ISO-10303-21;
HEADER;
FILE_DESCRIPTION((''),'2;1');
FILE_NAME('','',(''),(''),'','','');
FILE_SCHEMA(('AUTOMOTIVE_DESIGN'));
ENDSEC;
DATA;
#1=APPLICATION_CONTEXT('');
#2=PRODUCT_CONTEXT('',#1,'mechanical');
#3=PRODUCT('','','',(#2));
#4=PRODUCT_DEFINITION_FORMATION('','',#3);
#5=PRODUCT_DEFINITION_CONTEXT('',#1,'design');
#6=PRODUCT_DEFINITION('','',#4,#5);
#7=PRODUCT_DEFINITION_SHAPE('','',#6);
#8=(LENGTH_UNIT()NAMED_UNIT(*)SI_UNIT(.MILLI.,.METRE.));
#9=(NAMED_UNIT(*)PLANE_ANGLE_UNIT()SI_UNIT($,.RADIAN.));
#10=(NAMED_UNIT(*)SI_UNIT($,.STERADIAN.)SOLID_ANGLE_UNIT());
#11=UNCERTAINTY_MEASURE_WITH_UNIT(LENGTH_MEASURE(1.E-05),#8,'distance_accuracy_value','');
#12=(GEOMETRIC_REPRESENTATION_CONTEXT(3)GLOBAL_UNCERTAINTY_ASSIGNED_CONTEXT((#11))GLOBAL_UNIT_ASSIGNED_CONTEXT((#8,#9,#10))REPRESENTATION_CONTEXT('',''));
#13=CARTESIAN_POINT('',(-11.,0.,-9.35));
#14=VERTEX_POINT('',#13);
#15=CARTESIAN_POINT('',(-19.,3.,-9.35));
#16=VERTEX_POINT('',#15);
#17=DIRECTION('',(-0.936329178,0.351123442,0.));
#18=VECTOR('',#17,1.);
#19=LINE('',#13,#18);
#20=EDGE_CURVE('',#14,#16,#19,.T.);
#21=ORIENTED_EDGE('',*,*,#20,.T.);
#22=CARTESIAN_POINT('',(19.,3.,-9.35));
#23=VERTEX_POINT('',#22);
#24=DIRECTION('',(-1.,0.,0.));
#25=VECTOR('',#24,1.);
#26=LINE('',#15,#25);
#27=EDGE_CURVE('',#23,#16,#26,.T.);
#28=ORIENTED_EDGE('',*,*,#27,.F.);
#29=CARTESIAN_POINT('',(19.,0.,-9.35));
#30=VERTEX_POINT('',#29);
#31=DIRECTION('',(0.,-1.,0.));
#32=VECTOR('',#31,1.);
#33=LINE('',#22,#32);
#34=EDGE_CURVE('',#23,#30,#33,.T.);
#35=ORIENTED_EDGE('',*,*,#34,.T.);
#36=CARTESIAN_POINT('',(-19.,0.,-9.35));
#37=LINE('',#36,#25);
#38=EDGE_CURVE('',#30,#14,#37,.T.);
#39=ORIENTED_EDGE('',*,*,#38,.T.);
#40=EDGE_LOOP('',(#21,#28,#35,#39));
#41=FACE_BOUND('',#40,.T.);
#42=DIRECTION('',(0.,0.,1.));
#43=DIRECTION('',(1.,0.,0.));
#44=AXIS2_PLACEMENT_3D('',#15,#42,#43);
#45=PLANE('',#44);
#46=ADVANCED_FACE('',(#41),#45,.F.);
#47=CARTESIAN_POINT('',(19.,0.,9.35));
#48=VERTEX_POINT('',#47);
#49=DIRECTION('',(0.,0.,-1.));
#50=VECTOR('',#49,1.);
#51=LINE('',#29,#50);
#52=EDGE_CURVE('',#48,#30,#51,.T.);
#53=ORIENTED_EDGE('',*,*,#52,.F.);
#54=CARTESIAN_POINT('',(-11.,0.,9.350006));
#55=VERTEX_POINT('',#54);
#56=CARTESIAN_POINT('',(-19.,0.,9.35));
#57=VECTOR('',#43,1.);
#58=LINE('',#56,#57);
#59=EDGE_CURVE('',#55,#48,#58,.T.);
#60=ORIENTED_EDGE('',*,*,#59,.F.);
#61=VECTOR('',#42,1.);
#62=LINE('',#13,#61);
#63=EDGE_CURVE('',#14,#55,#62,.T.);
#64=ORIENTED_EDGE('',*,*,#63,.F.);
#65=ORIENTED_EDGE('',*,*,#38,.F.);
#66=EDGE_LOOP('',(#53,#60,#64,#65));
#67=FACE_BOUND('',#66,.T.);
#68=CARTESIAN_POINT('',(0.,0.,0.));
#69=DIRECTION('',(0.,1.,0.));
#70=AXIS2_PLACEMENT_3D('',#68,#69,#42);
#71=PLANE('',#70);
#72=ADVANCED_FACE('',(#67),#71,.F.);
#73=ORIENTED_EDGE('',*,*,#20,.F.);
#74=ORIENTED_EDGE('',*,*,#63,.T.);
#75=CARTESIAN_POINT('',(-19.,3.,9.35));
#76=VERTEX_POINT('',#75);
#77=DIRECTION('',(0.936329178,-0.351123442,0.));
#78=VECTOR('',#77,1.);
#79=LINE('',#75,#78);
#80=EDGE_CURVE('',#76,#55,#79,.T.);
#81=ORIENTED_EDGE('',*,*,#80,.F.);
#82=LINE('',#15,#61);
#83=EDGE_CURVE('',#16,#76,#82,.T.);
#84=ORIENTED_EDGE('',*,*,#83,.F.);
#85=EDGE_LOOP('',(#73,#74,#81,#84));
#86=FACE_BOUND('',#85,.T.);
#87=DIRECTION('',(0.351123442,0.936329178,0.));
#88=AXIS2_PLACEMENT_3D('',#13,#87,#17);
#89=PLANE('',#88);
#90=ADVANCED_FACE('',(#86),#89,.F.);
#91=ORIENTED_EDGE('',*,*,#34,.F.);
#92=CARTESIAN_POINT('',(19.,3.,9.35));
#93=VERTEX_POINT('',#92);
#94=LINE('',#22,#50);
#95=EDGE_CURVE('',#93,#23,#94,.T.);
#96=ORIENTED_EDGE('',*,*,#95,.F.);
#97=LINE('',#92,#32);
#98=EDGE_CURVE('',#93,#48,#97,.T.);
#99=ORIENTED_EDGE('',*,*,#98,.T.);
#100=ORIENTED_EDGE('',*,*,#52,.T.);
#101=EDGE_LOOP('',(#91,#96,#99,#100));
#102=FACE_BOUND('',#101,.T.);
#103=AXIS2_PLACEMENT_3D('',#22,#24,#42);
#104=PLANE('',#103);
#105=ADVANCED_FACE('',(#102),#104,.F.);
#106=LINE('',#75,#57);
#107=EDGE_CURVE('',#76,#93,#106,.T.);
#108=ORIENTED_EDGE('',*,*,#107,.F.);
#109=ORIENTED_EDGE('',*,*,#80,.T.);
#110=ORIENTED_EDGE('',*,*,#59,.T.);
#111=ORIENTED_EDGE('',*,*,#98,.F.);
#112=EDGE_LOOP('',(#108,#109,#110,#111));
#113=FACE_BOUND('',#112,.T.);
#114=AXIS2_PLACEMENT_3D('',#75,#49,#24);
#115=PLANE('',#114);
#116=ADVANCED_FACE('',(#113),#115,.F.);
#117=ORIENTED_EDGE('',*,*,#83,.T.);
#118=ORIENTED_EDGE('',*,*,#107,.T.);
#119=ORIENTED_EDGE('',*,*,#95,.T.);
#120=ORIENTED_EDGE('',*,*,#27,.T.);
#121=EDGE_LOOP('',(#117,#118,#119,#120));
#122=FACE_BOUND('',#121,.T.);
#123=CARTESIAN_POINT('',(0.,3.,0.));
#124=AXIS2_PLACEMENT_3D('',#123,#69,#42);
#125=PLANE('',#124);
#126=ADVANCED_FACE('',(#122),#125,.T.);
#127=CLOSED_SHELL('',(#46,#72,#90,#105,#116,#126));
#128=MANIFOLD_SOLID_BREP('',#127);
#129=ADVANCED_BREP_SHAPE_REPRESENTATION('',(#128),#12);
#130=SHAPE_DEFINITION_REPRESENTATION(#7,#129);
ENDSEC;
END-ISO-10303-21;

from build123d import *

# Parameters (mm, degrees)
SKETCH1_W               = 38
SKETCH1_H               = 18.7
BOSS_EXTRUDE1_DEPTH     = 3
CUT_EXTRUDE1_DEPTH      = 27.827038599
CUT_EXTRUDE1_DEPTH_BACK = 27.827038599


with BuildPart() as part:
    # Sketch1 → Boss-Extrude1 (new body)
    with BuildSketch(Plane(origin=(0, 0, 0), x_dir=(1, 0, 0), z_dir=(0, 1, 0))):
        Rectangle(SKETCH1_W, SKETCH1_H)
    extrude(amount=BOSS_EXTRUDE1_DEPTH)

    # Sketch2 → Cut-Extrude1 (cut, two sides: drawn at the far end of the back side and taken through both)
    with BuildSketch(Plane.XY.offset(9.35).offset(-CUT_EXTRUDE1_DEPTH_BACK)):
        Polygon((-19, 3), (-19, 0), (-11, 0), align=None)
    extrude(amount=CUT_EXTRUDE1_DEPTH + CUT_EXTRUDE1_DEPTH_BACK, mode=Mode.SUBTRACT)


solid = part.part
